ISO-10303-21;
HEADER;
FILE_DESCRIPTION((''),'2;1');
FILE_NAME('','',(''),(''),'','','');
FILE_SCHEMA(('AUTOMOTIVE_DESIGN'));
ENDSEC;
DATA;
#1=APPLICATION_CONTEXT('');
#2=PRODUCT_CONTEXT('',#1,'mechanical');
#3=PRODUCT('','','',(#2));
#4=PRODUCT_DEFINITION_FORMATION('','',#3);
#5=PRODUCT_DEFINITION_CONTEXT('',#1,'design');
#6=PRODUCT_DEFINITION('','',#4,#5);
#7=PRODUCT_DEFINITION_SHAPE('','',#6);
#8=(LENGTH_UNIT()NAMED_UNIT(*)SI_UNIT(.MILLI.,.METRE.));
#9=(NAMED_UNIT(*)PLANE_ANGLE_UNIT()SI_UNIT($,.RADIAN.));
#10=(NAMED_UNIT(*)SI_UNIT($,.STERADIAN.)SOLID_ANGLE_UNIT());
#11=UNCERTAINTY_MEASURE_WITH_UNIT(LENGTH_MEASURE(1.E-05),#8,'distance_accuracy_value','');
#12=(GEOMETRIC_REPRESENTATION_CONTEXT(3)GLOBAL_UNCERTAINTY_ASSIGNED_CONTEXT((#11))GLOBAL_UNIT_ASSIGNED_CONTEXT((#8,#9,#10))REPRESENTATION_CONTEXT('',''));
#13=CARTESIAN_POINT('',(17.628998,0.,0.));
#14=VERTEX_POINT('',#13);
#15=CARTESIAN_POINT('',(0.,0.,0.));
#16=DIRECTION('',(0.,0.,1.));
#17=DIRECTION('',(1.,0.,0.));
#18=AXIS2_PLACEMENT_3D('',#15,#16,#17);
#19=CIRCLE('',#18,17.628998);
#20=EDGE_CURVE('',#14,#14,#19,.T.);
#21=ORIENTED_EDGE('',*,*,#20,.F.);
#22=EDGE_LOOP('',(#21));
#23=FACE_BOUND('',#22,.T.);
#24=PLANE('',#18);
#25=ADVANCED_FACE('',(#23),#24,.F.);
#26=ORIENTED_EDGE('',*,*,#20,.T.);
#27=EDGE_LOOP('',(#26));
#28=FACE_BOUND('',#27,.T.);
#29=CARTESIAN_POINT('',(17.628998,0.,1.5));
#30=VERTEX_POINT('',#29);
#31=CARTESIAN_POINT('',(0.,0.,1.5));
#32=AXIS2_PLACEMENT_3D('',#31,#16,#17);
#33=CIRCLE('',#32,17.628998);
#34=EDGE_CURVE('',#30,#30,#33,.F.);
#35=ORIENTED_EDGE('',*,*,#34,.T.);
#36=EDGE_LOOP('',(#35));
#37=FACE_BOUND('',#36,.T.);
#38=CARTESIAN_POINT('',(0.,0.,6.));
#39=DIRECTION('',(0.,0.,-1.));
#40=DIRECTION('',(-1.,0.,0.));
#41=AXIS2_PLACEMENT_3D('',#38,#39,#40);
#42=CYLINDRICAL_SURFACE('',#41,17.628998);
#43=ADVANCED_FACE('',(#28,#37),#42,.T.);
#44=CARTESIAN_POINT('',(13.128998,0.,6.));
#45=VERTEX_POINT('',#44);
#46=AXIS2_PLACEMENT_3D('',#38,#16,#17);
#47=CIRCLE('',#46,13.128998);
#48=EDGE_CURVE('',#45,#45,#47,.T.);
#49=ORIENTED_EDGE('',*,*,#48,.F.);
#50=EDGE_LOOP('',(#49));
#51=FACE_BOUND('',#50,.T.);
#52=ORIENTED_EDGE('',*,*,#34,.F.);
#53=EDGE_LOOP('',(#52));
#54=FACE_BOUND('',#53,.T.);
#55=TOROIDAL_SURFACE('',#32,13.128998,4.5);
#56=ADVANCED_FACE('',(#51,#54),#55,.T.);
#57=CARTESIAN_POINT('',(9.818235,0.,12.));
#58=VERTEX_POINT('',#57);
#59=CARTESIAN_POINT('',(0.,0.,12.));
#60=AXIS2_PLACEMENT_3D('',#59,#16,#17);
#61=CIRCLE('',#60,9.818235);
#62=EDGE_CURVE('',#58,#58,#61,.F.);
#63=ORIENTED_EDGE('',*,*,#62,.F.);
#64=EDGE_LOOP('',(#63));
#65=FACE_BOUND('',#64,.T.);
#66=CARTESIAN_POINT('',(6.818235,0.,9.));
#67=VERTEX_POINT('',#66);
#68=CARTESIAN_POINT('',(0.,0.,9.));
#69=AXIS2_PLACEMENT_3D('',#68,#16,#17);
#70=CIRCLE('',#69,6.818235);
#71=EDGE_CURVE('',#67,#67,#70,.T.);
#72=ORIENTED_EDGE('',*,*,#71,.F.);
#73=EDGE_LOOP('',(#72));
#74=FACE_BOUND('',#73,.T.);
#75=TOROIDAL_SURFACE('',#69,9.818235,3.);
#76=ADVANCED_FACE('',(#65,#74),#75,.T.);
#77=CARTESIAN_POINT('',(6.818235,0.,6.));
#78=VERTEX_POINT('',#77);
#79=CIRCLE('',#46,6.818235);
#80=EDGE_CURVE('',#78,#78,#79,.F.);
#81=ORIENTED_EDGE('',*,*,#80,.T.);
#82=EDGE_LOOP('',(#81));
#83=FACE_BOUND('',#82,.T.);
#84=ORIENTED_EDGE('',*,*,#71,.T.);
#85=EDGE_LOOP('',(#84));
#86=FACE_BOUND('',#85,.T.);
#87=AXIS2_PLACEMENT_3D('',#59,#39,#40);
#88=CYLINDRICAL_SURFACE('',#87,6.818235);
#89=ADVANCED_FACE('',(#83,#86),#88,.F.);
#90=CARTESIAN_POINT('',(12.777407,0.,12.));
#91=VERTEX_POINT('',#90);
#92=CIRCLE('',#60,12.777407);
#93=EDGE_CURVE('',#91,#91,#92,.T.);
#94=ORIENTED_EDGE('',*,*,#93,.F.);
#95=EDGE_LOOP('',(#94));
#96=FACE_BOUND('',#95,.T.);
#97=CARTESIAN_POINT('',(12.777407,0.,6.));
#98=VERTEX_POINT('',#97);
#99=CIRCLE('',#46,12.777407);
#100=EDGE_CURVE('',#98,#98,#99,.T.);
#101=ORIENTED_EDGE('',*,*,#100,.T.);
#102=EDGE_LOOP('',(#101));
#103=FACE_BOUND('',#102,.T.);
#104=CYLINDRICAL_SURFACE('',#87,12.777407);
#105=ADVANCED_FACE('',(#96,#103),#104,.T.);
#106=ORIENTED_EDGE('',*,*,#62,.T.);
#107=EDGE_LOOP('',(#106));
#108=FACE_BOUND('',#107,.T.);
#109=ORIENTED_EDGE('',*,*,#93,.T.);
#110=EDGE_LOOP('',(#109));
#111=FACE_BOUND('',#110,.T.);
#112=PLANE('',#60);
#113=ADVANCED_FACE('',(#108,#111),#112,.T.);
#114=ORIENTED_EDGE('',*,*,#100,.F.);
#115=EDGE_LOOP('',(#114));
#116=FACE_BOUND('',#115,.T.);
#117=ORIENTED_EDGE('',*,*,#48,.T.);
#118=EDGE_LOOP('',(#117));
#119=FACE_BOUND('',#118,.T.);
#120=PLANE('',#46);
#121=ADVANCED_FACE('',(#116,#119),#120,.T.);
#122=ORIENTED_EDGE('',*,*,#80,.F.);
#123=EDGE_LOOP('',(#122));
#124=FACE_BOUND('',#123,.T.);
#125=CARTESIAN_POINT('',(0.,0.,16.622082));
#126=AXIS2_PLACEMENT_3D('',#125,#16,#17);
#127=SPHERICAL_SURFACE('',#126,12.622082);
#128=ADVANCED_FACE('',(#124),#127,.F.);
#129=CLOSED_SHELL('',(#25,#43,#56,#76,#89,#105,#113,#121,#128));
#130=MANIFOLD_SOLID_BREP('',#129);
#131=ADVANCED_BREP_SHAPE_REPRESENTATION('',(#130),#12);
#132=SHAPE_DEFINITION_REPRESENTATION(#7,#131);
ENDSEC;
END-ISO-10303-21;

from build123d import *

# Parameters (mm, degrees)
SKETCH1_R           = 17.628998489
BOSS_EXTRUDE1_DEPTH = 6
SKETCH2_R           = 12.777406612
SKETCH2_R_2         = 6.818235005
BOSS_EXTRUDE2_DEPTH = 6
FILLET1_R           = 4.5
FILLET2_R           = 3
DOME1_FACE_RADIUS   = 6.818235005
DOME1_HEIGHT        = 2


with BuildPart() as part:
    # Sketch1 → Boss-Extrude1 (new body)
    with BuildSketch(Plane.XY):
        Circle(SKETCH1_R)
    extrude(amount=BOSS_EXTRUDE1_DEPTH)

    # Sketch2 → Boss-Extrude2 (add)
    with BuildSketch(Plane.XY.offset(6)):
        Circle(SKETCH2_R)
        Circle(SKETCH2_R_2, mode=Mode.SUBTRACT)
    extrude(amount=BOSS_EXTRUDE2_DEPTH)

    # Fillet1
    fillet1_edges = [part.edges().sort_by_distance(p)[0] for p in [
        (-17.628998489, 0, 6),
    ]]
    fillet(fillet1_edges, radius=FILLET1_R)

    # Fillet2
    fillet2_edges = [part.edges().sort_by_distance(p)[0] for p in [
        (-6.818235005, 0, 12),
    ]]
    fillet(fillet2_edges, radius=FILLET2_R)

    # Dome1: a dome of height H over a round flat face of radius A is a cap of a sphere of radius (A * A + H * H) / (2 * H)
    dome1_r = (DOME1_FACE_RADIUS * DOME1_FACE_RADIUS + DOME1_HEIGHT * DOME1_HEIGHT) / (2 * DOME1_HEIGHT)
    dome1_base = Plane((0, 0, 6), z_dir=(0, 0, -1))
    with Locations(dome1_base.offset(DOME1_HEIGHT - dome1_r)):
        dome1_ball = Sphere(dome1_r, mode=Mode.PRIVATE)
    add(split(dome1_ball, bisect_by=dome1_base, keep=Keep.TOP, mode=Mode.PRIVATE), mode=Mode.SUBTRACT)


solid = part.part
